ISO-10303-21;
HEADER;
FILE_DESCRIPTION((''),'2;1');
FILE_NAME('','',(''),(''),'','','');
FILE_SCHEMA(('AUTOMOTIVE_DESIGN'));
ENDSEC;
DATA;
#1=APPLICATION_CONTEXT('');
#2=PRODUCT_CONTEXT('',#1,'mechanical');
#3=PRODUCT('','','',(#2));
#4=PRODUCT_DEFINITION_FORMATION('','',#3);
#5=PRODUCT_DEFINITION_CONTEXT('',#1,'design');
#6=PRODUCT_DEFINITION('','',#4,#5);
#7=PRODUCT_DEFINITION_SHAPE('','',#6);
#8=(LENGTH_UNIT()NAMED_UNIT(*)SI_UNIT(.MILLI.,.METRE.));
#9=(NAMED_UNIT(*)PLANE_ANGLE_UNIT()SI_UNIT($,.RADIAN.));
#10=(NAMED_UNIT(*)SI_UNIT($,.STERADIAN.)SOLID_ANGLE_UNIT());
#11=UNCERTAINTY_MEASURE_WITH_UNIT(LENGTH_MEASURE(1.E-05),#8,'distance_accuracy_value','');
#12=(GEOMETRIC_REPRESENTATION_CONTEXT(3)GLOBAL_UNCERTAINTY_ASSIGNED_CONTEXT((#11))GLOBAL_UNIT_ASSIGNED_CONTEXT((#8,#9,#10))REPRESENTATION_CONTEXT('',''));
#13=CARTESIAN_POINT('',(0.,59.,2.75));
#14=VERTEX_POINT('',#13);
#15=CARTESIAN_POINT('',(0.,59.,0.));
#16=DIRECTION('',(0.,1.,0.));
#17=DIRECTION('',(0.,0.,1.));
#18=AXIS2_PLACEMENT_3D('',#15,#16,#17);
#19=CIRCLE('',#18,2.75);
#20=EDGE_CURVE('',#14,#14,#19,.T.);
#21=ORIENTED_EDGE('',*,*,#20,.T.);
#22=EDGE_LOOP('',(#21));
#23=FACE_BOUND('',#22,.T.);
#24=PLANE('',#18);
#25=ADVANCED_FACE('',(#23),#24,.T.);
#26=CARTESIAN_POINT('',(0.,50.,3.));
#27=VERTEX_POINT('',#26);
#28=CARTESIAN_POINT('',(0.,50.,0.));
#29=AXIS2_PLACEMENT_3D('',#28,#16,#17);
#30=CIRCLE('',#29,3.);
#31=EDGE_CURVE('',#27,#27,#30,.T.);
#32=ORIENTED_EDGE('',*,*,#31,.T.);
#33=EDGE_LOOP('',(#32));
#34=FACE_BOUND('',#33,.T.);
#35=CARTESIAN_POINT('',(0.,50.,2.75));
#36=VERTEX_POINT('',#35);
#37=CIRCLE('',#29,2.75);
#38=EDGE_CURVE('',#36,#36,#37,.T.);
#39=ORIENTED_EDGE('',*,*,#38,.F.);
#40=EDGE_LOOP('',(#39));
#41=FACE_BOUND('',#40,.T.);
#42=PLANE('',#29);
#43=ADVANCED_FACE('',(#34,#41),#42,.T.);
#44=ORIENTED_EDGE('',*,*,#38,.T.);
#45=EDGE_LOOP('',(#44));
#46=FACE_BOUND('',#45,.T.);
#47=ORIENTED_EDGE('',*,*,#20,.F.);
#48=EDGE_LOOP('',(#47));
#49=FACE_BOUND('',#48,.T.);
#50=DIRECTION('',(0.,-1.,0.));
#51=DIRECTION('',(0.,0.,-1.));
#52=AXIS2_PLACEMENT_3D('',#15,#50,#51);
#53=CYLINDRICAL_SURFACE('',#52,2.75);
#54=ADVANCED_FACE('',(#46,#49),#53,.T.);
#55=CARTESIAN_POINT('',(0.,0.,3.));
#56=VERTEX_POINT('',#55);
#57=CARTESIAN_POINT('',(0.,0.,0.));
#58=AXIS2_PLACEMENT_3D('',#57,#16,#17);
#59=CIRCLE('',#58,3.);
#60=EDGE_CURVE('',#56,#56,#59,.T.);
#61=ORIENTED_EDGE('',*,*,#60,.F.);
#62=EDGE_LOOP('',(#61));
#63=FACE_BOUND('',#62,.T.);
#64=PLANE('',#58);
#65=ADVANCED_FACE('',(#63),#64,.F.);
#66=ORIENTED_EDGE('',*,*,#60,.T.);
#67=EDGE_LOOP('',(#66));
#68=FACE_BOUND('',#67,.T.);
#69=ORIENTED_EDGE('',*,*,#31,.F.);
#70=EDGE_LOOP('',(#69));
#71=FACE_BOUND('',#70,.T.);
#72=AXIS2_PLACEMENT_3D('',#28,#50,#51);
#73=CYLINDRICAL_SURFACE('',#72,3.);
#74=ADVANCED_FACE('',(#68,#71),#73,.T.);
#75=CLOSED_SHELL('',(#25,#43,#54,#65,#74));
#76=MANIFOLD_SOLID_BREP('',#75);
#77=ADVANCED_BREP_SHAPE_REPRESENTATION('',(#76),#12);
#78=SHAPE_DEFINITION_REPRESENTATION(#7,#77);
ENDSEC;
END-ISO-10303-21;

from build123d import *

# Parameters (mm, degrees)
SKETCH1_R           = 3
BOSS_EXTRUDE1_DEPTH = 50
SKETCH2_R           = 2.75
BOSS_EXTRUDE2_DEPTH = 9


with BuildPart() as part:
    # Sketch1 → Boss-Extrude1 (new body)
    with BuildSketch(Plane(origin=(0, 0, 0), x_dir=(1, 0, 0), z_dir=(0, 1, 0))):
        Circle(SKETCH1_R)
    extrude(amount=BOSS_EXTRUDE1_DEPTH)

    # Sketch2 → Boss-Extrude2 (add)
    with BuildSketch(Plane(origin=(0, 50, 0), x_dir=(1, 0, 0), z_dir=(0, 1, 0))):
        Circle(SKETCH2_R)
    extrude(amount=BOSS_EXTRUDE2_DEPTH)


solid = part.part
